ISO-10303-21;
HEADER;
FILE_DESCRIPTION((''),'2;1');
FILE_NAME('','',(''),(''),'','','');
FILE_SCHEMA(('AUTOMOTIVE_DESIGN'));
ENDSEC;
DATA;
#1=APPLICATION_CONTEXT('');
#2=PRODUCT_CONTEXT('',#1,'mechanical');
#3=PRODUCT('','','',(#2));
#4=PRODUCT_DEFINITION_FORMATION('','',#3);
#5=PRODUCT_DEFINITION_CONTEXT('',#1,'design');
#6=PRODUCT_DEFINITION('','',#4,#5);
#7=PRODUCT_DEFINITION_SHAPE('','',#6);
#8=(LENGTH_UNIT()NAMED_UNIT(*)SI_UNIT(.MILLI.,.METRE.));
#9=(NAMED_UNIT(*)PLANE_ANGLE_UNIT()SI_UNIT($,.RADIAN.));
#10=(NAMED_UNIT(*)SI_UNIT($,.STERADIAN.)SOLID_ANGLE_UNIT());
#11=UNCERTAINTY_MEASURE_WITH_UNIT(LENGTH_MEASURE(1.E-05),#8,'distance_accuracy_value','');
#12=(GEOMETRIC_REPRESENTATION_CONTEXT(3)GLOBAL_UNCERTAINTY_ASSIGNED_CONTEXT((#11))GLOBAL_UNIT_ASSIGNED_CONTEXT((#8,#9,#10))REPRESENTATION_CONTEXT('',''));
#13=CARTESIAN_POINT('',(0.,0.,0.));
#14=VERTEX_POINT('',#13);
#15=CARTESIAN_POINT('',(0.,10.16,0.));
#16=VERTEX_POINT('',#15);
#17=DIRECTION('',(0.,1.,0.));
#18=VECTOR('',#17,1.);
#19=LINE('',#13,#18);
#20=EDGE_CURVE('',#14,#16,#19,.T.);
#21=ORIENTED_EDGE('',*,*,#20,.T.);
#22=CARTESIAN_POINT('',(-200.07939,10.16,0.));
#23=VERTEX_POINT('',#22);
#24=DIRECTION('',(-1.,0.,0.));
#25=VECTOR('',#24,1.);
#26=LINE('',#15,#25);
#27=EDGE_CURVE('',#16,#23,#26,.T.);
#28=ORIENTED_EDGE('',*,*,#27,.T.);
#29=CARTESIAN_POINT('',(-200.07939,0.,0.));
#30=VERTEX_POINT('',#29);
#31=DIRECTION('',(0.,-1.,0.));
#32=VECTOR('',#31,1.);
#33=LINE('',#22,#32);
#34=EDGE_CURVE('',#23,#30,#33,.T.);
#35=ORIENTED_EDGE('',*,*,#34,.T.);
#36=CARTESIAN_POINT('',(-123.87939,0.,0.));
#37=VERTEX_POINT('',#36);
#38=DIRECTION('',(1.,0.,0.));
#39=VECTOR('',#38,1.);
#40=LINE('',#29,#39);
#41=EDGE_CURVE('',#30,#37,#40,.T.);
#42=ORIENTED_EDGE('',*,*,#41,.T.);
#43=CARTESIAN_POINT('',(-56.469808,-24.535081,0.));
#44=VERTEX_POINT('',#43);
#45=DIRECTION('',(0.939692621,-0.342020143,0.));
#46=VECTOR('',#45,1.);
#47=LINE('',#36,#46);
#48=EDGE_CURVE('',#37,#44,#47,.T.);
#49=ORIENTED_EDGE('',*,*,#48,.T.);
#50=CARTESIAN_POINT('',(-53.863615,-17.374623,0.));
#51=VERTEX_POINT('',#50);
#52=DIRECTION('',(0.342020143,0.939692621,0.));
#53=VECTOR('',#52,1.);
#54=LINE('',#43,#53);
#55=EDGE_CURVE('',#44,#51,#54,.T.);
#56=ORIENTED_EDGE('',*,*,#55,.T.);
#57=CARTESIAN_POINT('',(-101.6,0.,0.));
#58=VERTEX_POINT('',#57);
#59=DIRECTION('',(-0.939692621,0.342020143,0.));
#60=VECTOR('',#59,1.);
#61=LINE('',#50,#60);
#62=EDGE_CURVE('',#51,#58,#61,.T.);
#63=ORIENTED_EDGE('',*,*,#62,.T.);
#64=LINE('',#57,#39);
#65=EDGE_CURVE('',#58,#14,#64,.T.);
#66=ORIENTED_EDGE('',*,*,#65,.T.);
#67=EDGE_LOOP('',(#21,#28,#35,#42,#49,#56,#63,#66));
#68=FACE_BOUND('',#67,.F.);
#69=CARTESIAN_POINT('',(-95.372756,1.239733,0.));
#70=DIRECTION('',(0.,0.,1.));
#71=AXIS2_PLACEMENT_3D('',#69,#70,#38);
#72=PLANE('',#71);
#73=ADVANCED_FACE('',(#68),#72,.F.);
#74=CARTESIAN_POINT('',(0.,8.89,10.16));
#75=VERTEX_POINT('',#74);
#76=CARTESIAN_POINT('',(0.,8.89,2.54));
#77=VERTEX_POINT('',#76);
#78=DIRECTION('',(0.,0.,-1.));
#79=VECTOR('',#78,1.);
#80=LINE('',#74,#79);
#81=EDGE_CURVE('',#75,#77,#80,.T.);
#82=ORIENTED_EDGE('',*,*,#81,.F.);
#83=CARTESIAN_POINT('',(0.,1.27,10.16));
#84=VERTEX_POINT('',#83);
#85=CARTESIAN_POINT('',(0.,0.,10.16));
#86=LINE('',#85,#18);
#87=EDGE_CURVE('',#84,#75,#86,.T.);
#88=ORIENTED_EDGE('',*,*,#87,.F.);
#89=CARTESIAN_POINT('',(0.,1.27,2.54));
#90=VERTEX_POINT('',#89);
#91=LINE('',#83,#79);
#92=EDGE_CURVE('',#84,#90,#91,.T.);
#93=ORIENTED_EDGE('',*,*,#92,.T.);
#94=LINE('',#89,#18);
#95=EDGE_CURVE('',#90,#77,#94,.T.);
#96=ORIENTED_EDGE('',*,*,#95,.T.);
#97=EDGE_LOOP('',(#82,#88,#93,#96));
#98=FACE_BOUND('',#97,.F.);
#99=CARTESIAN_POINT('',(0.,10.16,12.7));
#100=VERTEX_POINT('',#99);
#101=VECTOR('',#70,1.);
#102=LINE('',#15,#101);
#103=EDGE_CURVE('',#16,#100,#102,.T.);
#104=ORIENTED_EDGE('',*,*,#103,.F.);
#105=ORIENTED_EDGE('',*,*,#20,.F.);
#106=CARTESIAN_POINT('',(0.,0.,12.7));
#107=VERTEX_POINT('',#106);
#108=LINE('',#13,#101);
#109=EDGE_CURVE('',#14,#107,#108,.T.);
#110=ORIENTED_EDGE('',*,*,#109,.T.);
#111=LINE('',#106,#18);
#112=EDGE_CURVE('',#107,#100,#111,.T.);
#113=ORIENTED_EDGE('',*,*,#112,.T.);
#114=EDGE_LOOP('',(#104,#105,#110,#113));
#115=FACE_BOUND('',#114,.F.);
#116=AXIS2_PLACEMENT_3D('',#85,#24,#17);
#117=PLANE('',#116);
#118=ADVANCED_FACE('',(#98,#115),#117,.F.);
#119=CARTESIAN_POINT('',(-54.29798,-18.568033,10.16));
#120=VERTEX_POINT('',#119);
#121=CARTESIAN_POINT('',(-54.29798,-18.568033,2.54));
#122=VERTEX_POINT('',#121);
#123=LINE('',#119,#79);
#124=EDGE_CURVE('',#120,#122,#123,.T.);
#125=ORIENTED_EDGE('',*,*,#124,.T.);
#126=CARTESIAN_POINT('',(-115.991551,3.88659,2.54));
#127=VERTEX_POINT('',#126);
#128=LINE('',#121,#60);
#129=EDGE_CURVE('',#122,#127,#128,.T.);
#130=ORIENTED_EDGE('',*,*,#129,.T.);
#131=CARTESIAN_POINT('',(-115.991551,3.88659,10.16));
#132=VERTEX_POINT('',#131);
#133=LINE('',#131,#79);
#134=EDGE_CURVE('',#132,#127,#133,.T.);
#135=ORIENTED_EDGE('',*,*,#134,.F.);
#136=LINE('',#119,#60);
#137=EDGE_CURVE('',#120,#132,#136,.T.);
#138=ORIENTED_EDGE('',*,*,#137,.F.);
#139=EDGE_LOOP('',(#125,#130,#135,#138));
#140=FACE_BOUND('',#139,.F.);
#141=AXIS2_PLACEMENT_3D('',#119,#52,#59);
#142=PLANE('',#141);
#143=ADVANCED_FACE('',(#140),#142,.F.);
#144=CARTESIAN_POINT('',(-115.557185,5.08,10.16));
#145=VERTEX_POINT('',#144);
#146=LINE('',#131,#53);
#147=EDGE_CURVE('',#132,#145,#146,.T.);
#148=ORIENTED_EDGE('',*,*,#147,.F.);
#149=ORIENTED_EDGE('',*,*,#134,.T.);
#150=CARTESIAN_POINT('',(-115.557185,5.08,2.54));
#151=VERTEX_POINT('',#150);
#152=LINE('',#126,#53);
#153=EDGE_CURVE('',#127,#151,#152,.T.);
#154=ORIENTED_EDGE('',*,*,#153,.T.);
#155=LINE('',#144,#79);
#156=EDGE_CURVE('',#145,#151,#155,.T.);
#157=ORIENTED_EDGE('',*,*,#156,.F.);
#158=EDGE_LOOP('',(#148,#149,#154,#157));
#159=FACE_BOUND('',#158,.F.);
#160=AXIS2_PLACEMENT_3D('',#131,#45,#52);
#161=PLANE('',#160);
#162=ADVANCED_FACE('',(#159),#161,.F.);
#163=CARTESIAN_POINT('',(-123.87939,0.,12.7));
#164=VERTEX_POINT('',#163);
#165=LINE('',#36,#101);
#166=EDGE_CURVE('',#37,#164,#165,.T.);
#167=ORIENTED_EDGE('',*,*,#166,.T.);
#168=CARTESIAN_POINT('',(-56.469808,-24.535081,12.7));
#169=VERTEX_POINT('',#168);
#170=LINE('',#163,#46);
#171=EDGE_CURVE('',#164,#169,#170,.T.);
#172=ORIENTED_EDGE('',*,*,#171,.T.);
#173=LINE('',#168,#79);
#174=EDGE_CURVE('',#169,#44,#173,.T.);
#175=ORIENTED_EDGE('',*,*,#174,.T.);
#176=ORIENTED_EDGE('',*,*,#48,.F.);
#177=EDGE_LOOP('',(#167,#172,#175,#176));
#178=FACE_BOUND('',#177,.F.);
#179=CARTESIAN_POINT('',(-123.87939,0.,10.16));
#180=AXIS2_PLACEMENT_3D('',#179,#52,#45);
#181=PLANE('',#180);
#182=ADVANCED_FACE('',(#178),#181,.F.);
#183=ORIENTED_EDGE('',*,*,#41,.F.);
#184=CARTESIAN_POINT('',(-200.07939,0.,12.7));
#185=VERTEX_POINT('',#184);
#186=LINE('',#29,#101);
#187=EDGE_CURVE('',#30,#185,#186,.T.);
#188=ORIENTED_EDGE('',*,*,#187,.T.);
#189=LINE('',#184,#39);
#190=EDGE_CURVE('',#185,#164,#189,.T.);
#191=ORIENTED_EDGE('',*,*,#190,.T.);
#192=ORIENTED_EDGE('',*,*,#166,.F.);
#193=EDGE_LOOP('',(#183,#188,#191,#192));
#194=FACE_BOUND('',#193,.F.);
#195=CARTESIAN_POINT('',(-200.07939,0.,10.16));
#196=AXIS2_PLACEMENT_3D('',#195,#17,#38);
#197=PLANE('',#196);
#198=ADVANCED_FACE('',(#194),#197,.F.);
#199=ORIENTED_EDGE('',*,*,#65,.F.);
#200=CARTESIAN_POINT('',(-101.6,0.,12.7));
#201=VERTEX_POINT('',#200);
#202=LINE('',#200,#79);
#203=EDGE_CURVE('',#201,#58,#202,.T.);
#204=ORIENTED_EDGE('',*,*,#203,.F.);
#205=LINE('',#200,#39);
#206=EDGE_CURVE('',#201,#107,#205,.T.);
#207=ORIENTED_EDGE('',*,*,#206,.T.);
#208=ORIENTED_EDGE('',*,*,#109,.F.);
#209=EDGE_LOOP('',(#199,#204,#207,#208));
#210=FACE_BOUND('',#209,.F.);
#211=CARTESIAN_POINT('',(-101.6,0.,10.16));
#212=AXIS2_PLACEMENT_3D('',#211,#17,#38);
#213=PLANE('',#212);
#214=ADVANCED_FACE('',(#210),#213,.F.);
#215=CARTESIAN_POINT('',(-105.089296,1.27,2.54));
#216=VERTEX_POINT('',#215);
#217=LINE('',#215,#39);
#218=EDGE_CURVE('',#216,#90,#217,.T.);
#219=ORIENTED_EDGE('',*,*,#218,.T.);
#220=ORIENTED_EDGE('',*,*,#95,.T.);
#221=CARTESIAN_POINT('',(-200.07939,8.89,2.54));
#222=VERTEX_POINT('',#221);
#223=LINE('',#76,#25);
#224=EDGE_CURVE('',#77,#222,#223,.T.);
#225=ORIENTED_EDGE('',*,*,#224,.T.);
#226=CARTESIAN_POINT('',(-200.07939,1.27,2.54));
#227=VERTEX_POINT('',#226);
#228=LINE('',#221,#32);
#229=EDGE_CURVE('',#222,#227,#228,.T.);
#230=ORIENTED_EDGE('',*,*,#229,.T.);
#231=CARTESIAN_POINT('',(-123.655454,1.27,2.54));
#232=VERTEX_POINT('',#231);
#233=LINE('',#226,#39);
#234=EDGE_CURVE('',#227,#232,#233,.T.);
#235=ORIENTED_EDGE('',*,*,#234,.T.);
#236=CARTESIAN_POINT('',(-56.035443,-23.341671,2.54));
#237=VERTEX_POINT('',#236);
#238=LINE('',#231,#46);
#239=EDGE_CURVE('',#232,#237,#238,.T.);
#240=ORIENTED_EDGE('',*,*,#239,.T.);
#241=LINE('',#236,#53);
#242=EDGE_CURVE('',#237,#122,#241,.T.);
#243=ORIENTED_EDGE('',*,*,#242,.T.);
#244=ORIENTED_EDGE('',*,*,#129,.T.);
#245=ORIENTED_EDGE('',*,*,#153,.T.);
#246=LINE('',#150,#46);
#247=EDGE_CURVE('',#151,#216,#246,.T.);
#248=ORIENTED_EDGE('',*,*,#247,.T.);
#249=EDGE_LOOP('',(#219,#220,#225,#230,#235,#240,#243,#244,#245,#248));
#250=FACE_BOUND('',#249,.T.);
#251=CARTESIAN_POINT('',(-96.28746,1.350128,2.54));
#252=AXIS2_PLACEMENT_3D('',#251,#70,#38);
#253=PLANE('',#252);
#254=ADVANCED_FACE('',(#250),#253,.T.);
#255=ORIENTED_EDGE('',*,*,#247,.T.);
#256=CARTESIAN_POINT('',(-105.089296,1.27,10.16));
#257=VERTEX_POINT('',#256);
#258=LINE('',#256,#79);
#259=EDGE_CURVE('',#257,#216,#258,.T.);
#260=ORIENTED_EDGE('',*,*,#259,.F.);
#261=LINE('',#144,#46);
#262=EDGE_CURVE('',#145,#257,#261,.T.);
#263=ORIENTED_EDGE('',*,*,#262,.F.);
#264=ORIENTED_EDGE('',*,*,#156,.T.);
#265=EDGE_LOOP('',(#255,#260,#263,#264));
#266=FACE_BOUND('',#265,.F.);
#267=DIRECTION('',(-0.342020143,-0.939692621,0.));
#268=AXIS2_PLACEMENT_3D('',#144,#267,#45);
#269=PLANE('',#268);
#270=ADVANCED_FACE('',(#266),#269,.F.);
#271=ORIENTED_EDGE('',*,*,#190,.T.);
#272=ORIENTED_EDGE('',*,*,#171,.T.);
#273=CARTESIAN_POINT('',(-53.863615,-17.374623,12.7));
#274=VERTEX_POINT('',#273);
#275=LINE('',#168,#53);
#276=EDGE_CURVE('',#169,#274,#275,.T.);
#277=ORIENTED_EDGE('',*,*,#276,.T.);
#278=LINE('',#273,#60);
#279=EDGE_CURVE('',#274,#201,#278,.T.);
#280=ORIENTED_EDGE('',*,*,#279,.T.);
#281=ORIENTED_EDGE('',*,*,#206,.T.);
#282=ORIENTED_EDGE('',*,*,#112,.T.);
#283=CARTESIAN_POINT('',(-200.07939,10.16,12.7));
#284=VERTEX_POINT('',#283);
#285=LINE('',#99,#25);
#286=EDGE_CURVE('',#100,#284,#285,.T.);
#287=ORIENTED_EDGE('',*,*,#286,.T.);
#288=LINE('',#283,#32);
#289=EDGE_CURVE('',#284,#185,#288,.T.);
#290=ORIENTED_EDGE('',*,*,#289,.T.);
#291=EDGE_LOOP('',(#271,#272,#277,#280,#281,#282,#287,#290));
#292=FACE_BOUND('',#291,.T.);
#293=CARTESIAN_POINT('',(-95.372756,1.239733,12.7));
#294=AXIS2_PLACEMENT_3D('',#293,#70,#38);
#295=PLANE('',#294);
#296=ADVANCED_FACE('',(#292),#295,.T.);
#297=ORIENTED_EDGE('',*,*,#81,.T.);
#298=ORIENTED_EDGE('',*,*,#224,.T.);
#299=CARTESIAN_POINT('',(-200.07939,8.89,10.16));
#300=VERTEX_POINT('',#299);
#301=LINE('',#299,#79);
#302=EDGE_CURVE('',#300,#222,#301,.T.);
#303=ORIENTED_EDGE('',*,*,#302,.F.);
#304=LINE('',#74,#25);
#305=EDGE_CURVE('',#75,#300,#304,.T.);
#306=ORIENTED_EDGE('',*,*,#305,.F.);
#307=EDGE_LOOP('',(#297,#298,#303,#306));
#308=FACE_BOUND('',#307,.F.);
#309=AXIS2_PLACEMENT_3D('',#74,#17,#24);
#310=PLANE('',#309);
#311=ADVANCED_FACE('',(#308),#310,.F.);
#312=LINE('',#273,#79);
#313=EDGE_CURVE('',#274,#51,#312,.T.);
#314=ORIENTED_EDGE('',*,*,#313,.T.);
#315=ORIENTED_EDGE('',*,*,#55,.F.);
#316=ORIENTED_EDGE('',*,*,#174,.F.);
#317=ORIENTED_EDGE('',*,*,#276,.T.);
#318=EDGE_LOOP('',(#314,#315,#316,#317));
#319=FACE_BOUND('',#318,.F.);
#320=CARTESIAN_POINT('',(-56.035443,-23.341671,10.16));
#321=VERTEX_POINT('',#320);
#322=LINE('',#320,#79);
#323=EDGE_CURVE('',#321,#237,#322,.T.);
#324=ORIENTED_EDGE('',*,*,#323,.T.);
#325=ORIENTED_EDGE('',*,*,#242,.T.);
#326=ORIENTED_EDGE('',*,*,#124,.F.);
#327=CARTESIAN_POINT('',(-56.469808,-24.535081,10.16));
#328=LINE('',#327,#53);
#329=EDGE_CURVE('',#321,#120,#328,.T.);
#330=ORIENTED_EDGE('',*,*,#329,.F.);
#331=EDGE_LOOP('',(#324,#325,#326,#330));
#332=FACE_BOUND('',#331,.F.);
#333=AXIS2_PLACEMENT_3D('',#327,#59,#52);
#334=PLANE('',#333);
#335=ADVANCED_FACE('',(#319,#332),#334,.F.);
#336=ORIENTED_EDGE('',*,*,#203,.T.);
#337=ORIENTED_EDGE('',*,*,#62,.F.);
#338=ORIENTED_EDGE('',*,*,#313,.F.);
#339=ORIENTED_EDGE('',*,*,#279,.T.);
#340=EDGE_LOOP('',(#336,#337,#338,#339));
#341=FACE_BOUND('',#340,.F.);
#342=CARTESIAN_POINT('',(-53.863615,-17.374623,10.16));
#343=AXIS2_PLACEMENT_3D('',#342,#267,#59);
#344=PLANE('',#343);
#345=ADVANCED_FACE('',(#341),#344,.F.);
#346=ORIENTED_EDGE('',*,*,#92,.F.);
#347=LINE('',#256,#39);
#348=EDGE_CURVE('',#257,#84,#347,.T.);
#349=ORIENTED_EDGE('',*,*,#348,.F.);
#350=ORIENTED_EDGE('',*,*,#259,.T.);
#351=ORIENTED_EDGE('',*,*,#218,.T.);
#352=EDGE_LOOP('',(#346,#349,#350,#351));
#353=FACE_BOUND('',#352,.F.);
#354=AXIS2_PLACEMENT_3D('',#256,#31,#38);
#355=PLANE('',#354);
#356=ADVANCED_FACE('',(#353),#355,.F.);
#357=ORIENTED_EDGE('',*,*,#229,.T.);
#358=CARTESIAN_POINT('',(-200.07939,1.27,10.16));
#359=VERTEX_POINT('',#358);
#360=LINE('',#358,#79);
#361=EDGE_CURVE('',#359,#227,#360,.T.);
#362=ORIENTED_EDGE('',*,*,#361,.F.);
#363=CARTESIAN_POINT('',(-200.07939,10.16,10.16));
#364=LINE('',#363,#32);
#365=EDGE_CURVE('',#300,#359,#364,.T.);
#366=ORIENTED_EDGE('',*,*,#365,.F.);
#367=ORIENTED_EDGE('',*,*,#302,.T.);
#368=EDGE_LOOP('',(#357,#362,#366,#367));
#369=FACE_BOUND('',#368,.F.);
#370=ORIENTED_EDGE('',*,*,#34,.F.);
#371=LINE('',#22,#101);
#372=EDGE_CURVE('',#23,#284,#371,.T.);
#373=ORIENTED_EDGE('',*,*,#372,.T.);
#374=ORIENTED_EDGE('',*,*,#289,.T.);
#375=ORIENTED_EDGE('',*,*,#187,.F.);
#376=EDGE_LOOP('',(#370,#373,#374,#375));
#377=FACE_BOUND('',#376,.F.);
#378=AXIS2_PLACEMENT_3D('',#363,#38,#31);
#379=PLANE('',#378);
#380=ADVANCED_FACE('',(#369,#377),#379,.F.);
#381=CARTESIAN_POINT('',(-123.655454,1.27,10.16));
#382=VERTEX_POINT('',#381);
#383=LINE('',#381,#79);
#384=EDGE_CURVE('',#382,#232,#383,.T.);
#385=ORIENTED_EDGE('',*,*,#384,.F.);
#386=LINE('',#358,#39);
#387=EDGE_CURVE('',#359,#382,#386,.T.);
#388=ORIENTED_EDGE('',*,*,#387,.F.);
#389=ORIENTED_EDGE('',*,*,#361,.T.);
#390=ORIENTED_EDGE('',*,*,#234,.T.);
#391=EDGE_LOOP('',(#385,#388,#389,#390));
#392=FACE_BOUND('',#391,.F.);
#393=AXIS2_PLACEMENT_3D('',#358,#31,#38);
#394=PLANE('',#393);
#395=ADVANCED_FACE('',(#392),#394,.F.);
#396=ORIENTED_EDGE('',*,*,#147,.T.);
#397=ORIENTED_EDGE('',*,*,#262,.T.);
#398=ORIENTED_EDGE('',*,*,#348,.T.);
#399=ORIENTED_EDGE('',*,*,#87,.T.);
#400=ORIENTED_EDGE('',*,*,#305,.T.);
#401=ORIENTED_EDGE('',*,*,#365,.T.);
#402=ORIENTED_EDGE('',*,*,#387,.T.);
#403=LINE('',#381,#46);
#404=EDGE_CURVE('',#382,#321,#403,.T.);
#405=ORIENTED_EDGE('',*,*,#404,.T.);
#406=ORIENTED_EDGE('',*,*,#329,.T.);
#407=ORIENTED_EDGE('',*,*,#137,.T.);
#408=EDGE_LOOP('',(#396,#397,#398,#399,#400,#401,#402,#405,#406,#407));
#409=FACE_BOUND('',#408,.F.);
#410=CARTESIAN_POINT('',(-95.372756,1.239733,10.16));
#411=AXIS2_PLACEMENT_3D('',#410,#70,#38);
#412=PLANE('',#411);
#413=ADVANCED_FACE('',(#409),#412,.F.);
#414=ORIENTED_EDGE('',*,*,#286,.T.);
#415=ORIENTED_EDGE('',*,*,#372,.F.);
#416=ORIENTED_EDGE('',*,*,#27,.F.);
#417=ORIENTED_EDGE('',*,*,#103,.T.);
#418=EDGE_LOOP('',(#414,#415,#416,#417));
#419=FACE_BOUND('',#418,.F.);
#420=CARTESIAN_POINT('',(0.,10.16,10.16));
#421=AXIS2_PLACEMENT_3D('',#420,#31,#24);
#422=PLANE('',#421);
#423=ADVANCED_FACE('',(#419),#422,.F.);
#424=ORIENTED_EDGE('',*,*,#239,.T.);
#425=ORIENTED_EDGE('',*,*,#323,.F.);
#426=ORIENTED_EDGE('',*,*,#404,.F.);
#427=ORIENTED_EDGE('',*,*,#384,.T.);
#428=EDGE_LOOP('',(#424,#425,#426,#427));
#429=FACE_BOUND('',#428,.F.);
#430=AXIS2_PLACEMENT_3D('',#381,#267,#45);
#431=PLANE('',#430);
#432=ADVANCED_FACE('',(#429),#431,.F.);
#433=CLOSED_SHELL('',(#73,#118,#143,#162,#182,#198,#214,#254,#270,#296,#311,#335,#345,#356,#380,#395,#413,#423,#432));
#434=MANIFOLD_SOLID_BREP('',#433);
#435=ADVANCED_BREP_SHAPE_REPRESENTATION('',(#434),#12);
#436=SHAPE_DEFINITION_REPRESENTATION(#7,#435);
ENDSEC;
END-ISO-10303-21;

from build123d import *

# Parameters (mm, degrees)
F1_DEPTH = 10.16
F3_DEPTH = 7.62
F5_DEPTH = 2.54


with BuildPart() as f1:
    # F0 (on Top) → F1 (new body)
    with BuildSketch(Plane.XY):
        Polygon((-101.6, 0), (0, 0), (0, 10.16), (-200.0793895292, 10.16), (-200.0793895292, 0), (-123.8793895292, 0), (-56.4698083562, -24.5350810513), (-53.8636148641, -17.3746232809), align=None)
    extrude(amount=F1_DEPTH)

    # F2 (on face) → F3 (cut)
    with BuildSketch(Plane.XY.offset(10.16)):
        Polygon((-54.2979804461, -18.5680329093), (-115.9915508729, 3.8865903716), (-115.5571852908, 5.08), (-105.0892963227, 1.27), (0, 1.27), (0, 8.89), (-200.0793895292, 8.89), (-200.0793895292, 1.27), (-123.6554542637, 1.27), (-56.0354427742, -23.3416714229), align=None)
    extrude(amount=-F3_DEPTH, mode=Mode.SUBTRACT)

    # F4 (on face) → F5 (join)
    with BuildSketch(Plane.XY.offset(10.16)):
        Polygon((-101.6, 0), (0, 0), (0, 10.16), (-200.0793895292, 10.16), (-200.0793895292, 0), (-123.8793895292, 0), (-56.4698083562, -24.5350810513), (-53.8636148641, -17.3746232809), align=None)
    extrude(amount=F5_DEPTH)


solid = f1.part
